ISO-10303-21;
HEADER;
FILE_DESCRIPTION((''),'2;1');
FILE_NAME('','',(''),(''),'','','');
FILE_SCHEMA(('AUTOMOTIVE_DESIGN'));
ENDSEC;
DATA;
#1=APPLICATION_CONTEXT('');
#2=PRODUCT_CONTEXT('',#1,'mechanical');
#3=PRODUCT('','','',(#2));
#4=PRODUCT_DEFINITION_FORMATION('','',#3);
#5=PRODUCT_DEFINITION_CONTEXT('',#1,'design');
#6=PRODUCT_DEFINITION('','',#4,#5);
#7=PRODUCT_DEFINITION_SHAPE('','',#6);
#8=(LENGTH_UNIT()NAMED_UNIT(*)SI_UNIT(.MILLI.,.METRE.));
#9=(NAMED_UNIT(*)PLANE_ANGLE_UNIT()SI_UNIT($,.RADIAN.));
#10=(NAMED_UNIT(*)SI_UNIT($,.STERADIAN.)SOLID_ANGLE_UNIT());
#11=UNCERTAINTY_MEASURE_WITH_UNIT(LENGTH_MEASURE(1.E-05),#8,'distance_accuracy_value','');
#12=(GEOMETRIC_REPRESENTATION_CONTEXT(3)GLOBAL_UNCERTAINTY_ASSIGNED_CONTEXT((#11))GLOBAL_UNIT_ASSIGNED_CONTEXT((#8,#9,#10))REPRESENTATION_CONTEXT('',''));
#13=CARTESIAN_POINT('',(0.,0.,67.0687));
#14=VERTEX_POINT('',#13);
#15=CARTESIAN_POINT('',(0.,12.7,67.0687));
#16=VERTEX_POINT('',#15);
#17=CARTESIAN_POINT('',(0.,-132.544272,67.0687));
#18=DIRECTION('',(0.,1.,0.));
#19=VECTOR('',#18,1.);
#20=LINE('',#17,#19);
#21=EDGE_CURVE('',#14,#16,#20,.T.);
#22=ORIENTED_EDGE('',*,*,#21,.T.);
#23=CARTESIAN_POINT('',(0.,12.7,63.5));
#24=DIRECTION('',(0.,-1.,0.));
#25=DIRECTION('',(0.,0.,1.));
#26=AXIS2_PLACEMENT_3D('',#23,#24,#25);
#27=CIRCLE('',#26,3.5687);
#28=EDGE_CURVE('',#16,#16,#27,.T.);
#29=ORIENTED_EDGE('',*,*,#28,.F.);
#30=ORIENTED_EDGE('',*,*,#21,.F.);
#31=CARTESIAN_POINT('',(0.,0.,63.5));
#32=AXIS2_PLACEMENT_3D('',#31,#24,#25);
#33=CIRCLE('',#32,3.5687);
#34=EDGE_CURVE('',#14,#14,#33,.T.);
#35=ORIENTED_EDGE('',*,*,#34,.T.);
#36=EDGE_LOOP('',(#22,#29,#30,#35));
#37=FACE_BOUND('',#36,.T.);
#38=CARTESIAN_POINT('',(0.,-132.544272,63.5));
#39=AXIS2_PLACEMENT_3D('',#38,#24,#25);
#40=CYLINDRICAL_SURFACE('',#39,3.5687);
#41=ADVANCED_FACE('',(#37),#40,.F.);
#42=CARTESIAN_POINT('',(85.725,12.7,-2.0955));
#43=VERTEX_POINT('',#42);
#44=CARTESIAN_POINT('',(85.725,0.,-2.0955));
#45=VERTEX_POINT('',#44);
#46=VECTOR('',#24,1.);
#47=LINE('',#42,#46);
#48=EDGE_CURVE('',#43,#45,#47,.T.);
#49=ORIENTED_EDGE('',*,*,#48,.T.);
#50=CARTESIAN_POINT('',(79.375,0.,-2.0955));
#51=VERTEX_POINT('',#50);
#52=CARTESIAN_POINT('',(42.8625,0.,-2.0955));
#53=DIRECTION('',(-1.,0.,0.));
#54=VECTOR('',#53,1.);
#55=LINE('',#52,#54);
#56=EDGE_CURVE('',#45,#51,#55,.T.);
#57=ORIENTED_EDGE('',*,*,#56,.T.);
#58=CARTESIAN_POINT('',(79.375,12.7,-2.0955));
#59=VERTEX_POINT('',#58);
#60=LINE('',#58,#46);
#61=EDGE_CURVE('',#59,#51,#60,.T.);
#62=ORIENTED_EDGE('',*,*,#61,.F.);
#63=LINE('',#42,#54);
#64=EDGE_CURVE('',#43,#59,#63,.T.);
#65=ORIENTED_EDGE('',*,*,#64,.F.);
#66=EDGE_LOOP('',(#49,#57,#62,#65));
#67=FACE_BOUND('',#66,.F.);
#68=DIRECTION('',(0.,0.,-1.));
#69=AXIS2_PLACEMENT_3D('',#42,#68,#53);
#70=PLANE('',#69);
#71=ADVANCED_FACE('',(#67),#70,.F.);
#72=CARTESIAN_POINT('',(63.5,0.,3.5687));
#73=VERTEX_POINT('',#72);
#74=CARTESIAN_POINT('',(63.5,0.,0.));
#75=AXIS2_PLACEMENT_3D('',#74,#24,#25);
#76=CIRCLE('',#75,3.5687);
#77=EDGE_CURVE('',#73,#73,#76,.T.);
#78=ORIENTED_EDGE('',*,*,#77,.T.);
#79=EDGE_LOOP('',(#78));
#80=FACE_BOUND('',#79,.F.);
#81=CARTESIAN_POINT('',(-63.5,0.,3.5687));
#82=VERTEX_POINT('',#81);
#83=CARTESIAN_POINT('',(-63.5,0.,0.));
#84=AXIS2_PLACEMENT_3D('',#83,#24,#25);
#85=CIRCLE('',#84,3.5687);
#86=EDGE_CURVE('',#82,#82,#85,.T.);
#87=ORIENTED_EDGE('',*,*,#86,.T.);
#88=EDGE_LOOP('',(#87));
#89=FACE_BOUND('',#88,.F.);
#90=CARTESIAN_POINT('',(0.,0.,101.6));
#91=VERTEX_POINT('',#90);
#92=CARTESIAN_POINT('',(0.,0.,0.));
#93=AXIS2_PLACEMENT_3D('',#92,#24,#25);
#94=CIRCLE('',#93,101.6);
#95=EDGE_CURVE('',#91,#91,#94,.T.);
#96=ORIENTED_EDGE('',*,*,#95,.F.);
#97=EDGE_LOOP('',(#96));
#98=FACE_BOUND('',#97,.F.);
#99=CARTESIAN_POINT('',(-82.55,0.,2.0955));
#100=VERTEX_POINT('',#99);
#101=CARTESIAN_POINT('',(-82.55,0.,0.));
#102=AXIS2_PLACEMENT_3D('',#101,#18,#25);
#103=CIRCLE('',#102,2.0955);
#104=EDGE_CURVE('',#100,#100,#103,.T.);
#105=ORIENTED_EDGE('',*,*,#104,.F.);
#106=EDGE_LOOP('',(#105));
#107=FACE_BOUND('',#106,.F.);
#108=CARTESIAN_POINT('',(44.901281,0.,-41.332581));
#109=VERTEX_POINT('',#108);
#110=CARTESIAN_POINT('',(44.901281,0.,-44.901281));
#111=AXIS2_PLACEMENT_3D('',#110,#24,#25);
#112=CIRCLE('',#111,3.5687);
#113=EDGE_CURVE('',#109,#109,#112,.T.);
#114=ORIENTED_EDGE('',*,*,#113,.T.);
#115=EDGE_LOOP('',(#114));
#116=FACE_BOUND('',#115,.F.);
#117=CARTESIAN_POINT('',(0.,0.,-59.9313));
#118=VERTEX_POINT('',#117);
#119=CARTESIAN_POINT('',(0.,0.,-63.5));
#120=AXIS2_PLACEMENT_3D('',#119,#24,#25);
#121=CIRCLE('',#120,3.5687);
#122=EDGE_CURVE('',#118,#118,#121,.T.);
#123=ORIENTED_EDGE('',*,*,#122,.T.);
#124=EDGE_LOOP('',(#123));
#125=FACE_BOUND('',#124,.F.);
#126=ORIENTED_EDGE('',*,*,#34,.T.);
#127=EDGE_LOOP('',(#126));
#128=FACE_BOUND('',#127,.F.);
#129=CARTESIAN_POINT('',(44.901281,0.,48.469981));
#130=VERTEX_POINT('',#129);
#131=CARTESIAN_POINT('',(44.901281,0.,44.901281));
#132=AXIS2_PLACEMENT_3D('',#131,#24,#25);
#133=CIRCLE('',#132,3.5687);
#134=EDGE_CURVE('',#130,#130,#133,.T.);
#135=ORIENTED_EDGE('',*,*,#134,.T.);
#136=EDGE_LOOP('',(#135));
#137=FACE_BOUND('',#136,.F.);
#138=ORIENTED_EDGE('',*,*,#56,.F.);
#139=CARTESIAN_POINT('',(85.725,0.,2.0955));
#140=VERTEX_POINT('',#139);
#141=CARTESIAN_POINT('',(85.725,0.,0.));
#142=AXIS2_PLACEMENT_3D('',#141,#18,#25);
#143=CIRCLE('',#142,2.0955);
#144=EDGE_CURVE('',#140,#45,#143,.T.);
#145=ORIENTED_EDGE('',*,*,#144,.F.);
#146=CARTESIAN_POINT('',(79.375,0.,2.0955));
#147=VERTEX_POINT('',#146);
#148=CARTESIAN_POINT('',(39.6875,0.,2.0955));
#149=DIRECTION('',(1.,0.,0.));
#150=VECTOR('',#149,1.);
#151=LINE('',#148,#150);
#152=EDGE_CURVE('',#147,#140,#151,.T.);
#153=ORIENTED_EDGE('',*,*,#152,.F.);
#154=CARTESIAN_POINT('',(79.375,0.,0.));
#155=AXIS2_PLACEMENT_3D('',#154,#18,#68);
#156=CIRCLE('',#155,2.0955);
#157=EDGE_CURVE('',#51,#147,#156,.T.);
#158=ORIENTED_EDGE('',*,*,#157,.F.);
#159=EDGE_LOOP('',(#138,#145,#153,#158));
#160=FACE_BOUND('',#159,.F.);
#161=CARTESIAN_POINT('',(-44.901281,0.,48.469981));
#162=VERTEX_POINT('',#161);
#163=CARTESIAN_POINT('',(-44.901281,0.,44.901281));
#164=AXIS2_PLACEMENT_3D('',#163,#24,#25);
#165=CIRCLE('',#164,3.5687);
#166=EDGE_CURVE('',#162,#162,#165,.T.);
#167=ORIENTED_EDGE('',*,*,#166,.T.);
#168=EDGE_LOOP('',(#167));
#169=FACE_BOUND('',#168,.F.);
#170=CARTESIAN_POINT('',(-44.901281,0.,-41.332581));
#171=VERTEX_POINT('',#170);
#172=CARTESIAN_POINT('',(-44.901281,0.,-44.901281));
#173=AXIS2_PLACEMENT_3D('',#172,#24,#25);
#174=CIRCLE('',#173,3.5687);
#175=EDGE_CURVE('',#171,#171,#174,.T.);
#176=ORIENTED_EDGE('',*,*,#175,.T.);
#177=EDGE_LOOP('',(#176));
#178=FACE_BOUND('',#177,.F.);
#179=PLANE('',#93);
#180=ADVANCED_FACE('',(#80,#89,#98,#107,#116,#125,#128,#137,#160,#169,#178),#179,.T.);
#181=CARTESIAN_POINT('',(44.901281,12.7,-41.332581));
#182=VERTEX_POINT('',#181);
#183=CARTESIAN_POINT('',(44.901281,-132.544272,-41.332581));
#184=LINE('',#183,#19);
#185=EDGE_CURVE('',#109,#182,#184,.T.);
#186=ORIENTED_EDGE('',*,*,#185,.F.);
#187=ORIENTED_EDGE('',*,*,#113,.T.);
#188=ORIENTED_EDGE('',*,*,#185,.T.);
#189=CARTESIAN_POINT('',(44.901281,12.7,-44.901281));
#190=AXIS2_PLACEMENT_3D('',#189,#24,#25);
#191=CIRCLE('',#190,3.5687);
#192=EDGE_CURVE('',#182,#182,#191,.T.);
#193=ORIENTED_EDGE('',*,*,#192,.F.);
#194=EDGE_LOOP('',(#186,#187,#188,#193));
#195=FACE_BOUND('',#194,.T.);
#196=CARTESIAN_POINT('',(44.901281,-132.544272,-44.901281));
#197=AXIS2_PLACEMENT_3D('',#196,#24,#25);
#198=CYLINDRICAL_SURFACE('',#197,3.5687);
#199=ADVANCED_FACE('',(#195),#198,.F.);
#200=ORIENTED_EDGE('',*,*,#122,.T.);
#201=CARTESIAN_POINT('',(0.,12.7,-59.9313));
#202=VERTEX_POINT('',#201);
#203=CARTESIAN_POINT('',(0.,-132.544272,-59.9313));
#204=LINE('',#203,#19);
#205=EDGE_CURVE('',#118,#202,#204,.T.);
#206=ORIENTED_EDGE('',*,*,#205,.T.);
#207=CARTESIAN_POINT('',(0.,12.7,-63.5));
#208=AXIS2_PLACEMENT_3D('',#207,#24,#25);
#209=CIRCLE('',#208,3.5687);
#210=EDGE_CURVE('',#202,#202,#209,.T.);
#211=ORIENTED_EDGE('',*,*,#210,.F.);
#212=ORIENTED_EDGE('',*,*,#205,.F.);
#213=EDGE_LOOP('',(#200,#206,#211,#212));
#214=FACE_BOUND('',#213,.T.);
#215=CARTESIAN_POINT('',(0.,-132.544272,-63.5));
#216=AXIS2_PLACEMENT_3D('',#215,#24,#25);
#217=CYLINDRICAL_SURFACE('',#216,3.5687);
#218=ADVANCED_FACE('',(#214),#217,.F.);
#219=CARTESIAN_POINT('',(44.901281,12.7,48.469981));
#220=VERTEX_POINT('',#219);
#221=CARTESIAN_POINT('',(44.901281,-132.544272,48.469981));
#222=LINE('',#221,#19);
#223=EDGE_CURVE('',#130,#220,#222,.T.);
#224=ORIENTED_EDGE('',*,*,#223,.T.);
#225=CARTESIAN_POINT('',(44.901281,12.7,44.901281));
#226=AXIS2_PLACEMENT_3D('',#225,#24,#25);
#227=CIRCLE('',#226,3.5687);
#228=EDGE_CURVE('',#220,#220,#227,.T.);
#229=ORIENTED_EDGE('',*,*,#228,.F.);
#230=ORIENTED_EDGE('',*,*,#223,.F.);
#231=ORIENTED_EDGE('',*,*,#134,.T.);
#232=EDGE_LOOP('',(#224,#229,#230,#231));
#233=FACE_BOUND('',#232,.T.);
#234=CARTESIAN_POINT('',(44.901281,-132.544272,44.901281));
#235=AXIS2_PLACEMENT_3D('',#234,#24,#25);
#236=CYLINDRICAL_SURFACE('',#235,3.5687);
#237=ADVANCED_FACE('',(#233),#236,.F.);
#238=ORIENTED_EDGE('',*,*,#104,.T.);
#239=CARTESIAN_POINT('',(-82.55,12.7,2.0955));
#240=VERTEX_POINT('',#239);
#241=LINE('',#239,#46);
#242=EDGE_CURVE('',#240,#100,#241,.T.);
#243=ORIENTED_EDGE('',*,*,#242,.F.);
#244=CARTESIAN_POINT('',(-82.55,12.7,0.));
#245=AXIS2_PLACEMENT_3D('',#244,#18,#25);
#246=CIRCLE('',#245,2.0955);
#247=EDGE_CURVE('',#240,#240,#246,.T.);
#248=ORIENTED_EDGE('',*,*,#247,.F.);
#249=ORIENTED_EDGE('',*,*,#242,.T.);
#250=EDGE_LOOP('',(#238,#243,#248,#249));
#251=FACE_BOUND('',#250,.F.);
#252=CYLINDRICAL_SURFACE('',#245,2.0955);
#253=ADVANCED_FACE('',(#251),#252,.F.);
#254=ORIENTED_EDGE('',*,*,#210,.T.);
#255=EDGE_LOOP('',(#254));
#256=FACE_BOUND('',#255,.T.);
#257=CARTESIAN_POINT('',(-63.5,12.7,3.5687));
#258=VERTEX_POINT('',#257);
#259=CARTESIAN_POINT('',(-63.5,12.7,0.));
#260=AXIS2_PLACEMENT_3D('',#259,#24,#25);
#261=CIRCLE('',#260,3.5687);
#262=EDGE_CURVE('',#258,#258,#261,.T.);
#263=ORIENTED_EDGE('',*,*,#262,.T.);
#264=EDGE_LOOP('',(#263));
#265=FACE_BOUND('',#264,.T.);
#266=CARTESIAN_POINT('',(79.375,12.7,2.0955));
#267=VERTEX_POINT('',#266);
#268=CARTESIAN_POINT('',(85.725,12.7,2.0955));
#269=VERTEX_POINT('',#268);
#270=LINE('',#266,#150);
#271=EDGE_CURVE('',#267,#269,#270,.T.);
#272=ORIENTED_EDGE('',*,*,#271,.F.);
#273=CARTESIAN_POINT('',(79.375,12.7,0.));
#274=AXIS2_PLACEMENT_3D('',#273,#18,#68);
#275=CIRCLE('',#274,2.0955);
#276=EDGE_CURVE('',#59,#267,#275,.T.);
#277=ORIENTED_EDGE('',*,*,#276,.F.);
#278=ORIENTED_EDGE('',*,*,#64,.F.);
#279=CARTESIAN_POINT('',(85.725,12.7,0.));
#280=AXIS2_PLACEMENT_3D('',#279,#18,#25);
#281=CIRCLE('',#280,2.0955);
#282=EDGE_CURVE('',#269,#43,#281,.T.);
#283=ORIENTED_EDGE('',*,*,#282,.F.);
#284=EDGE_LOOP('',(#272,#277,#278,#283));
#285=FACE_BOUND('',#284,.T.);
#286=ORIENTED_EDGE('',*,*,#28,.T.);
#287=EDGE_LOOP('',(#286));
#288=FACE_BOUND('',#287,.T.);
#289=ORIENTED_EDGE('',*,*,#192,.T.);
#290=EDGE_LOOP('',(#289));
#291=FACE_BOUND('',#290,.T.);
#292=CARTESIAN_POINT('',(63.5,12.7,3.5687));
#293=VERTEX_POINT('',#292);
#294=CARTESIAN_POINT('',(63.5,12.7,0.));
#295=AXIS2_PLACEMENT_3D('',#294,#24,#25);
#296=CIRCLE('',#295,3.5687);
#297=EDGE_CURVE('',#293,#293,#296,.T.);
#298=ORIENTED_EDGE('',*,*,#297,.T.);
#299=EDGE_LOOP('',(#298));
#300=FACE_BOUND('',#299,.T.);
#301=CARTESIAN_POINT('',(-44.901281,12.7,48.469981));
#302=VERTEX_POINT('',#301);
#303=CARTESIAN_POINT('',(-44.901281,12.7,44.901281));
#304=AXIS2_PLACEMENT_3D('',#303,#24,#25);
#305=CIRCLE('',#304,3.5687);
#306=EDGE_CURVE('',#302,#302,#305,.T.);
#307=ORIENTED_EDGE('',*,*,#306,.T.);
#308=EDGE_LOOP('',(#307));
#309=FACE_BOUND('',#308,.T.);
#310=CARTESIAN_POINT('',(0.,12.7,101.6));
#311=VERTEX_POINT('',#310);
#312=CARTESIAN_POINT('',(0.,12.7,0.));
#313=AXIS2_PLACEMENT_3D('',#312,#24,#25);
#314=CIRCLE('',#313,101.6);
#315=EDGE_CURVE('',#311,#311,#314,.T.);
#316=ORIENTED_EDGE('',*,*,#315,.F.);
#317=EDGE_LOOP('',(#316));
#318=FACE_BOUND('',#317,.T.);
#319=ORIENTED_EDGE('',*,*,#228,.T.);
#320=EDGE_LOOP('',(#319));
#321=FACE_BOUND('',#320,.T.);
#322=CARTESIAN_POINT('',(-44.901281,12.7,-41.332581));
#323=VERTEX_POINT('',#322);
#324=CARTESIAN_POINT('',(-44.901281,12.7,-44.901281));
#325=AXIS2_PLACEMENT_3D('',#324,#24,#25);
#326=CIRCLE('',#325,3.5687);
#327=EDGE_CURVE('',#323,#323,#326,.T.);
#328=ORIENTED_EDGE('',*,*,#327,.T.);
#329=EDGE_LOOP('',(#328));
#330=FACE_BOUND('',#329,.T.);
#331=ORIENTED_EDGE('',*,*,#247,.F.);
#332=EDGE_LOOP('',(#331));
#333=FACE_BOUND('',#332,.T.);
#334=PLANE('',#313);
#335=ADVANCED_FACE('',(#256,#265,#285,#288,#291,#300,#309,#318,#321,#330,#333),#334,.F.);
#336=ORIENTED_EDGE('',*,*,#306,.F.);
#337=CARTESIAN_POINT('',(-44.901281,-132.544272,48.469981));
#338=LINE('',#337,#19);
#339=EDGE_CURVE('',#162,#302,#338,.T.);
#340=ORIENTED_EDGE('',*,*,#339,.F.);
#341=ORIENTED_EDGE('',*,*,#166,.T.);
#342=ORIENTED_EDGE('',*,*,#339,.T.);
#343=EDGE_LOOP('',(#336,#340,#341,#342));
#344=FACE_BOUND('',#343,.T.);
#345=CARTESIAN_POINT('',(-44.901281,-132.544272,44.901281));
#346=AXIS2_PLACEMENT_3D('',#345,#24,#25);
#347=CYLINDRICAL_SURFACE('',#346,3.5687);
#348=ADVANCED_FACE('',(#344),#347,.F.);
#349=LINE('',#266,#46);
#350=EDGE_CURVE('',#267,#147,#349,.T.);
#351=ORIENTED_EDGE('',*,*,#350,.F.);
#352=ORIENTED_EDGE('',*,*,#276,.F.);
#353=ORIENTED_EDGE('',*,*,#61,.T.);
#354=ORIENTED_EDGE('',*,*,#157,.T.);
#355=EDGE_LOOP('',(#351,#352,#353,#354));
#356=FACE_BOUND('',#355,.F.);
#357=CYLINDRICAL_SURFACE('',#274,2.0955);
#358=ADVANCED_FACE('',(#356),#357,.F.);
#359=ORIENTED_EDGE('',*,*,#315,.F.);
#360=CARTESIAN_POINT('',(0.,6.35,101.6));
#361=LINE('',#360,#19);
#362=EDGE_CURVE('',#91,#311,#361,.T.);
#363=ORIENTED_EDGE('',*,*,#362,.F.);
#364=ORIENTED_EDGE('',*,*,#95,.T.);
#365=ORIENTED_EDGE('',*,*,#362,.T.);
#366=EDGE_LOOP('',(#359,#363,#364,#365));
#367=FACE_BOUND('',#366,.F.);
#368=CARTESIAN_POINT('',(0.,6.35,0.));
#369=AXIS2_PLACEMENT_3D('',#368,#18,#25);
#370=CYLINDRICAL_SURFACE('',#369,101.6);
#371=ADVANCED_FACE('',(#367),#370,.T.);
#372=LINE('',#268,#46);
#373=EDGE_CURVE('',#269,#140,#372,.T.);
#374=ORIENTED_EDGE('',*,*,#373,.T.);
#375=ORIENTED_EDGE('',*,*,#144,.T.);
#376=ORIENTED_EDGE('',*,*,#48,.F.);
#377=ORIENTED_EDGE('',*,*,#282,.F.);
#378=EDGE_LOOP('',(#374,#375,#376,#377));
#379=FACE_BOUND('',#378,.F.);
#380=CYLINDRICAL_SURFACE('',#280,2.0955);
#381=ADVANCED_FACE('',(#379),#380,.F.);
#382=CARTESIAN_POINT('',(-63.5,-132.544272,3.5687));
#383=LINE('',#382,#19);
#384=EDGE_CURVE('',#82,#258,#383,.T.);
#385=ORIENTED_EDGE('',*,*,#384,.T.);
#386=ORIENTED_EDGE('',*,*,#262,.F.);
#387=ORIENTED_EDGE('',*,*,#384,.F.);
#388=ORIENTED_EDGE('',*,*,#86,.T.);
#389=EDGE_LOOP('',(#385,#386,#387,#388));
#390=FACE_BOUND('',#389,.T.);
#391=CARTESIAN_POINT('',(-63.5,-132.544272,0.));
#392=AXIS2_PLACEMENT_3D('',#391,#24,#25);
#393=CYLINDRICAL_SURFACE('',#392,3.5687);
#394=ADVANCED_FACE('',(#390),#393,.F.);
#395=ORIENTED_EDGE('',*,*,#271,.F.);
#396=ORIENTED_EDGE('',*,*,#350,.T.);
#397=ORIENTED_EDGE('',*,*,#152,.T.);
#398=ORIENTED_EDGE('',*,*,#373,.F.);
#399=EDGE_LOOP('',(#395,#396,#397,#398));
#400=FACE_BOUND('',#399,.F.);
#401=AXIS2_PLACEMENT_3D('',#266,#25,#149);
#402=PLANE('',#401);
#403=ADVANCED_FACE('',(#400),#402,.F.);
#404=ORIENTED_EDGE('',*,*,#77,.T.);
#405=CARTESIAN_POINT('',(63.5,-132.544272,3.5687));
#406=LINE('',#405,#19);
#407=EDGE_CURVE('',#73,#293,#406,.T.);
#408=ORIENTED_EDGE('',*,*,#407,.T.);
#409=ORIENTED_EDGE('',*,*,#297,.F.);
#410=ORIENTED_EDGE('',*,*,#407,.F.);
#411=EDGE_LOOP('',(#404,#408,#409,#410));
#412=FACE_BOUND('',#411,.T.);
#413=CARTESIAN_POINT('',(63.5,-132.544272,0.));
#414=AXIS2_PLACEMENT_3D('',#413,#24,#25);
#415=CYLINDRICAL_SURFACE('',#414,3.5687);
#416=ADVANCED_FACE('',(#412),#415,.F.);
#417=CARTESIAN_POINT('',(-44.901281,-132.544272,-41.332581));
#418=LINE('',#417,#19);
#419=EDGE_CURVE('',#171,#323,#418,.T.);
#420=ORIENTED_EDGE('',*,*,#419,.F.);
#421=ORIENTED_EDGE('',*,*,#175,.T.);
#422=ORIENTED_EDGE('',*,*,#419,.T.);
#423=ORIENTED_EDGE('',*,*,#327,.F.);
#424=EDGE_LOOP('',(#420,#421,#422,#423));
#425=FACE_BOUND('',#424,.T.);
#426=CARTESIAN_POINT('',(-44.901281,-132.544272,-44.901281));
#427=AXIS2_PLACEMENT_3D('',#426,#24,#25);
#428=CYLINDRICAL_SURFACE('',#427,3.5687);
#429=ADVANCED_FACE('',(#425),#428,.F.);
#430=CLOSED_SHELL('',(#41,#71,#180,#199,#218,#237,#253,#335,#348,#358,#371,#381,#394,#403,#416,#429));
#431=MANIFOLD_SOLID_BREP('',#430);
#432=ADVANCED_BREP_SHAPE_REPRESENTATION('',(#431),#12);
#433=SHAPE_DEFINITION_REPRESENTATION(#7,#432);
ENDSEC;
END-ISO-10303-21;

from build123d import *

# Parameters (mm, degrees)
SKETCH1_W               = 101.6
SKETCH1_H               = 12.7
CUT_EXTRUDE1_DEPTH      = 145.244271983
CUT_EXTRUDE1_DEPTH_BACK = 145.244271983
SKETCH2_R               = 3.5687
SKETCH3_R               = 2.0955
CUT_EXTRUDE4_DEPTH      = 31.75


with BuildPart() as part:
    # Sketch1 → Revolve1 (revolve)
    with BuildSketch(Plane(origin=(0, 0, 0), x_dir=(0, 0, -1), z_dir=(1, 0, 0)), mode=Mode.PRIVATE) as revolve1_sk:
        with Locations((50.8, 6.35)):
            Rectangle(SKETCH1_W, SKETCH1_H)
    revolve(revolve1_sk.sketch.rotate(Axis((0, 46.9, 0), (0, -1, 0)), 180), axis=Axis((0, 46.9, 0), (0, -1, 0)))

    # Sketch2 → Cut-Extrude1 (cut, two sides: drawn at the far end of the back side and taken through both)
    with BuildSketch(Plane(origin=(0, 12.7, 0), x_dir=(1, 0, 0), z_dir=(0, 1, 0)).offset(-CUT_EXTRUDE1_DEPTH_BACK)):
        with Locations(Location((0, 63.5, 0), (0, 0, 270))):
            Circle(SKETCH2_R)
        with Locations(Location((44.901280605, 44.901280605, 0), (0, 0, 270))):
            Circle(SKETCH2_R)
        with Locations(Location((63.5, 0, 0), (0, 0, 270))):
            Circle(SKETCH2_R)
        with Locations(Location((44.901280605, -44.901280605, 0), (0, 0, 270))):
            Circle(SKETCH2_R)
        with Locations(Location((0, -63.5, 0), (0, 0, 270))):
            Circle(SKETCH2_R)
        with Locations(Location((-44.901280605, -44.901280605, 0), (0, 0, 270))):
            Circle(SKETCH2_R)
        with Locations(Location((-63.5, 0, 0), (0, 0, 270))):
            Circle(SKETCH2_R)
        with Locations(Location((-44.901280605, 44.901280605, 0), (0, 0, 270))):
            Circle(SKETCH2_R)
    extrude(amount=CUT_EXTRUDE1_DEPTH + CUT_EXTRUDE1_DEPTH_BACK, mode=Mode.SUBTRACT)

    # Sketch3 → Cut-Extrude4 (cut)
    with BuildSketch(Plane(origin=(0, 12.7, 0), x_dir=(1, 0, 0), z_dir=(0, 1, 0))):
        with Locations(Location((-82.55, 0, 0), (0, 0, 270))):
            Circle(SKETCH3_R)
        with BuildLine():
            Line((79.375, -2.0955), (85.725, -2.0955))
            ThreePointArc((85.725, -2.0955), (87.8205, 0), (85.725, 2.0955))
            Line((85.725, 2.0955), (79.375, 2.0955))
            ThreePointArc((79.375, 2.0955), (77.2795, 0), (79.375, -2.0955))
        make_face()
    extrude(amount=-CUT_EXTRUDE4_DEPTH, mode=Mode.SUBTRACT)


solid = part.part
